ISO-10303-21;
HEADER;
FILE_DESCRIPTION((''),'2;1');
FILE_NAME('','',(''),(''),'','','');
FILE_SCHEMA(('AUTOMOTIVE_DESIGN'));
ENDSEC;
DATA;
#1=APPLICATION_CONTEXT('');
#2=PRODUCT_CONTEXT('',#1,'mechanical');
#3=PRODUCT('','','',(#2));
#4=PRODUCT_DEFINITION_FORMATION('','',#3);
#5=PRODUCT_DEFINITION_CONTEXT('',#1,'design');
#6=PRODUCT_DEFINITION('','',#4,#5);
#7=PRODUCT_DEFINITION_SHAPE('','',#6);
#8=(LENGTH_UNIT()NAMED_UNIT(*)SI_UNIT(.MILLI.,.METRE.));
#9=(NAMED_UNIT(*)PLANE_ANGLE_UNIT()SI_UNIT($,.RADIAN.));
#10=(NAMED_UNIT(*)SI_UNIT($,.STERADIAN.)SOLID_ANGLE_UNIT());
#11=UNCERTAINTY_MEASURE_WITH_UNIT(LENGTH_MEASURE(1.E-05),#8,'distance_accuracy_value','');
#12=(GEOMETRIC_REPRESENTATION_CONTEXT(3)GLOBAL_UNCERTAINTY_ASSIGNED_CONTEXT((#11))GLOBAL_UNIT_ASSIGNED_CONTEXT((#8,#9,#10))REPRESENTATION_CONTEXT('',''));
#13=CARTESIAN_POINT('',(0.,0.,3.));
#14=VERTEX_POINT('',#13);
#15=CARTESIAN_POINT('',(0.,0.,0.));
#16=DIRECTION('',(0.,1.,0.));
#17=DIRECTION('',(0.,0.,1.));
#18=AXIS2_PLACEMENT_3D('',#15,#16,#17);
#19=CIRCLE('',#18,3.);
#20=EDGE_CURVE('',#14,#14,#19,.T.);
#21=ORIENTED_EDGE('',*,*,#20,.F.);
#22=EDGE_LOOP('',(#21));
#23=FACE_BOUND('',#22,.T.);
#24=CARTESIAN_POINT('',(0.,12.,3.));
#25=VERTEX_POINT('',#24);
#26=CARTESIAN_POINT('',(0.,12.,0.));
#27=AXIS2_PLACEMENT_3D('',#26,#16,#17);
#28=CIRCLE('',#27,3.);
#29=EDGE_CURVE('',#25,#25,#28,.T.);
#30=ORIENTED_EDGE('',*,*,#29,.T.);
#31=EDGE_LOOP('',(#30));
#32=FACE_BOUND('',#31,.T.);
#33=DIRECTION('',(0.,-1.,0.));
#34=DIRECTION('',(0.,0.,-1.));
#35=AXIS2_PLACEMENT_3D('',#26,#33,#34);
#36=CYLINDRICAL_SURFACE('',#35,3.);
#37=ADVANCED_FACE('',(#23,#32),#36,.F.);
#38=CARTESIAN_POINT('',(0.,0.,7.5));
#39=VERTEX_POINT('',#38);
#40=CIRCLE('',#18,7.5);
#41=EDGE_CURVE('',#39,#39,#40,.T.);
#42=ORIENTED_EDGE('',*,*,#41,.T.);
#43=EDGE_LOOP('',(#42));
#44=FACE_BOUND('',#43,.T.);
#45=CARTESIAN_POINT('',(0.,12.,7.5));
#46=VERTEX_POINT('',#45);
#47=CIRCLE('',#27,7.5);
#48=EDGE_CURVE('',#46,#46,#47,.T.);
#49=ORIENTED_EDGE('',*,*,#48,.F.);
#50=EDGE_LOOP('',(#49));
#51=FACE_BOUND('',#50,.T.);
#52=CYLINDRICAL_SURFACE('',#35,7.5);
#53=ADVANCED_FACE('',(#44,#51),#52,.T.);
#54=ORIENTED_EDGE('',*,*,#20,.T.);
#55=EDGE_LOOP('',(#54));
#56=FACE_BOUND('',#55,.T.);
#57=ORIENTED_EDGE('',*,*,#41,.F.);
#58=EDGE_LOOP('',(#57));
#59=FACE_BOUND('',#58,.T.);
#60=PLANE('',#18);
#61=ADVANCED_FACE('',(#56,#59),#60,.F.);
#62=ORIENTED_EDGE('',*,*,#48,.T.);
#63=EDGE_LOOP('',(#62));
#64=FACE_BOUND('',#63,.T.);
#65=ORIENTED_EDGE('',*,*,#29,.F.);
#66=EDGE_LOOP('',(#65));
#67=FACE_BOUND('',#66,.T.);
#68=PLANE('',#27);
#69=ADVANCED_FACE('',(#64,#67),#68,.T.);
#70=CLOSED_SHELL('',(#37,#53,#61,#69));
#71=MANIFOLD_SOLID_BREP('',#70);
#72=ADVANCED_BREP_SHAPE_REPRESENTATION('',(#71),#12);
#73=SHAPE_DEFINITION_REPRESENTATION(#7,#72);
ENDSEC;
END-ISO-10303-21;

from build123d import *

# Parameters (mm, degrees)
IZIM1_R                     = 7.5
IZIM1_R_2                   = 3
Y_KSEKLIK_EKSTR_ZYON2_DEPTH = 12


with BuildPart() as part:
    # Çizim1 → Yükseklik-Ekstrüzyon2 (new body)
    with BuildSketch(Plane(origin=(0, 0, 0), x_dir=(1, 0, 0), z_dir=(0, 1, 0))):
        with Locations(Location((0, 0, 0), (0, 0, 270))):
            Circle(IZIM1_R)
        with Locations(Location((0, 0, 0), (0, 0, 270))):
            Circle(IZIM1_R_2, mode=Mode.SUBTRACT)
    extrude(amount=Y_KSEKLIK_EKSTR_ZYON2_DEPTH)


solid = part.part
